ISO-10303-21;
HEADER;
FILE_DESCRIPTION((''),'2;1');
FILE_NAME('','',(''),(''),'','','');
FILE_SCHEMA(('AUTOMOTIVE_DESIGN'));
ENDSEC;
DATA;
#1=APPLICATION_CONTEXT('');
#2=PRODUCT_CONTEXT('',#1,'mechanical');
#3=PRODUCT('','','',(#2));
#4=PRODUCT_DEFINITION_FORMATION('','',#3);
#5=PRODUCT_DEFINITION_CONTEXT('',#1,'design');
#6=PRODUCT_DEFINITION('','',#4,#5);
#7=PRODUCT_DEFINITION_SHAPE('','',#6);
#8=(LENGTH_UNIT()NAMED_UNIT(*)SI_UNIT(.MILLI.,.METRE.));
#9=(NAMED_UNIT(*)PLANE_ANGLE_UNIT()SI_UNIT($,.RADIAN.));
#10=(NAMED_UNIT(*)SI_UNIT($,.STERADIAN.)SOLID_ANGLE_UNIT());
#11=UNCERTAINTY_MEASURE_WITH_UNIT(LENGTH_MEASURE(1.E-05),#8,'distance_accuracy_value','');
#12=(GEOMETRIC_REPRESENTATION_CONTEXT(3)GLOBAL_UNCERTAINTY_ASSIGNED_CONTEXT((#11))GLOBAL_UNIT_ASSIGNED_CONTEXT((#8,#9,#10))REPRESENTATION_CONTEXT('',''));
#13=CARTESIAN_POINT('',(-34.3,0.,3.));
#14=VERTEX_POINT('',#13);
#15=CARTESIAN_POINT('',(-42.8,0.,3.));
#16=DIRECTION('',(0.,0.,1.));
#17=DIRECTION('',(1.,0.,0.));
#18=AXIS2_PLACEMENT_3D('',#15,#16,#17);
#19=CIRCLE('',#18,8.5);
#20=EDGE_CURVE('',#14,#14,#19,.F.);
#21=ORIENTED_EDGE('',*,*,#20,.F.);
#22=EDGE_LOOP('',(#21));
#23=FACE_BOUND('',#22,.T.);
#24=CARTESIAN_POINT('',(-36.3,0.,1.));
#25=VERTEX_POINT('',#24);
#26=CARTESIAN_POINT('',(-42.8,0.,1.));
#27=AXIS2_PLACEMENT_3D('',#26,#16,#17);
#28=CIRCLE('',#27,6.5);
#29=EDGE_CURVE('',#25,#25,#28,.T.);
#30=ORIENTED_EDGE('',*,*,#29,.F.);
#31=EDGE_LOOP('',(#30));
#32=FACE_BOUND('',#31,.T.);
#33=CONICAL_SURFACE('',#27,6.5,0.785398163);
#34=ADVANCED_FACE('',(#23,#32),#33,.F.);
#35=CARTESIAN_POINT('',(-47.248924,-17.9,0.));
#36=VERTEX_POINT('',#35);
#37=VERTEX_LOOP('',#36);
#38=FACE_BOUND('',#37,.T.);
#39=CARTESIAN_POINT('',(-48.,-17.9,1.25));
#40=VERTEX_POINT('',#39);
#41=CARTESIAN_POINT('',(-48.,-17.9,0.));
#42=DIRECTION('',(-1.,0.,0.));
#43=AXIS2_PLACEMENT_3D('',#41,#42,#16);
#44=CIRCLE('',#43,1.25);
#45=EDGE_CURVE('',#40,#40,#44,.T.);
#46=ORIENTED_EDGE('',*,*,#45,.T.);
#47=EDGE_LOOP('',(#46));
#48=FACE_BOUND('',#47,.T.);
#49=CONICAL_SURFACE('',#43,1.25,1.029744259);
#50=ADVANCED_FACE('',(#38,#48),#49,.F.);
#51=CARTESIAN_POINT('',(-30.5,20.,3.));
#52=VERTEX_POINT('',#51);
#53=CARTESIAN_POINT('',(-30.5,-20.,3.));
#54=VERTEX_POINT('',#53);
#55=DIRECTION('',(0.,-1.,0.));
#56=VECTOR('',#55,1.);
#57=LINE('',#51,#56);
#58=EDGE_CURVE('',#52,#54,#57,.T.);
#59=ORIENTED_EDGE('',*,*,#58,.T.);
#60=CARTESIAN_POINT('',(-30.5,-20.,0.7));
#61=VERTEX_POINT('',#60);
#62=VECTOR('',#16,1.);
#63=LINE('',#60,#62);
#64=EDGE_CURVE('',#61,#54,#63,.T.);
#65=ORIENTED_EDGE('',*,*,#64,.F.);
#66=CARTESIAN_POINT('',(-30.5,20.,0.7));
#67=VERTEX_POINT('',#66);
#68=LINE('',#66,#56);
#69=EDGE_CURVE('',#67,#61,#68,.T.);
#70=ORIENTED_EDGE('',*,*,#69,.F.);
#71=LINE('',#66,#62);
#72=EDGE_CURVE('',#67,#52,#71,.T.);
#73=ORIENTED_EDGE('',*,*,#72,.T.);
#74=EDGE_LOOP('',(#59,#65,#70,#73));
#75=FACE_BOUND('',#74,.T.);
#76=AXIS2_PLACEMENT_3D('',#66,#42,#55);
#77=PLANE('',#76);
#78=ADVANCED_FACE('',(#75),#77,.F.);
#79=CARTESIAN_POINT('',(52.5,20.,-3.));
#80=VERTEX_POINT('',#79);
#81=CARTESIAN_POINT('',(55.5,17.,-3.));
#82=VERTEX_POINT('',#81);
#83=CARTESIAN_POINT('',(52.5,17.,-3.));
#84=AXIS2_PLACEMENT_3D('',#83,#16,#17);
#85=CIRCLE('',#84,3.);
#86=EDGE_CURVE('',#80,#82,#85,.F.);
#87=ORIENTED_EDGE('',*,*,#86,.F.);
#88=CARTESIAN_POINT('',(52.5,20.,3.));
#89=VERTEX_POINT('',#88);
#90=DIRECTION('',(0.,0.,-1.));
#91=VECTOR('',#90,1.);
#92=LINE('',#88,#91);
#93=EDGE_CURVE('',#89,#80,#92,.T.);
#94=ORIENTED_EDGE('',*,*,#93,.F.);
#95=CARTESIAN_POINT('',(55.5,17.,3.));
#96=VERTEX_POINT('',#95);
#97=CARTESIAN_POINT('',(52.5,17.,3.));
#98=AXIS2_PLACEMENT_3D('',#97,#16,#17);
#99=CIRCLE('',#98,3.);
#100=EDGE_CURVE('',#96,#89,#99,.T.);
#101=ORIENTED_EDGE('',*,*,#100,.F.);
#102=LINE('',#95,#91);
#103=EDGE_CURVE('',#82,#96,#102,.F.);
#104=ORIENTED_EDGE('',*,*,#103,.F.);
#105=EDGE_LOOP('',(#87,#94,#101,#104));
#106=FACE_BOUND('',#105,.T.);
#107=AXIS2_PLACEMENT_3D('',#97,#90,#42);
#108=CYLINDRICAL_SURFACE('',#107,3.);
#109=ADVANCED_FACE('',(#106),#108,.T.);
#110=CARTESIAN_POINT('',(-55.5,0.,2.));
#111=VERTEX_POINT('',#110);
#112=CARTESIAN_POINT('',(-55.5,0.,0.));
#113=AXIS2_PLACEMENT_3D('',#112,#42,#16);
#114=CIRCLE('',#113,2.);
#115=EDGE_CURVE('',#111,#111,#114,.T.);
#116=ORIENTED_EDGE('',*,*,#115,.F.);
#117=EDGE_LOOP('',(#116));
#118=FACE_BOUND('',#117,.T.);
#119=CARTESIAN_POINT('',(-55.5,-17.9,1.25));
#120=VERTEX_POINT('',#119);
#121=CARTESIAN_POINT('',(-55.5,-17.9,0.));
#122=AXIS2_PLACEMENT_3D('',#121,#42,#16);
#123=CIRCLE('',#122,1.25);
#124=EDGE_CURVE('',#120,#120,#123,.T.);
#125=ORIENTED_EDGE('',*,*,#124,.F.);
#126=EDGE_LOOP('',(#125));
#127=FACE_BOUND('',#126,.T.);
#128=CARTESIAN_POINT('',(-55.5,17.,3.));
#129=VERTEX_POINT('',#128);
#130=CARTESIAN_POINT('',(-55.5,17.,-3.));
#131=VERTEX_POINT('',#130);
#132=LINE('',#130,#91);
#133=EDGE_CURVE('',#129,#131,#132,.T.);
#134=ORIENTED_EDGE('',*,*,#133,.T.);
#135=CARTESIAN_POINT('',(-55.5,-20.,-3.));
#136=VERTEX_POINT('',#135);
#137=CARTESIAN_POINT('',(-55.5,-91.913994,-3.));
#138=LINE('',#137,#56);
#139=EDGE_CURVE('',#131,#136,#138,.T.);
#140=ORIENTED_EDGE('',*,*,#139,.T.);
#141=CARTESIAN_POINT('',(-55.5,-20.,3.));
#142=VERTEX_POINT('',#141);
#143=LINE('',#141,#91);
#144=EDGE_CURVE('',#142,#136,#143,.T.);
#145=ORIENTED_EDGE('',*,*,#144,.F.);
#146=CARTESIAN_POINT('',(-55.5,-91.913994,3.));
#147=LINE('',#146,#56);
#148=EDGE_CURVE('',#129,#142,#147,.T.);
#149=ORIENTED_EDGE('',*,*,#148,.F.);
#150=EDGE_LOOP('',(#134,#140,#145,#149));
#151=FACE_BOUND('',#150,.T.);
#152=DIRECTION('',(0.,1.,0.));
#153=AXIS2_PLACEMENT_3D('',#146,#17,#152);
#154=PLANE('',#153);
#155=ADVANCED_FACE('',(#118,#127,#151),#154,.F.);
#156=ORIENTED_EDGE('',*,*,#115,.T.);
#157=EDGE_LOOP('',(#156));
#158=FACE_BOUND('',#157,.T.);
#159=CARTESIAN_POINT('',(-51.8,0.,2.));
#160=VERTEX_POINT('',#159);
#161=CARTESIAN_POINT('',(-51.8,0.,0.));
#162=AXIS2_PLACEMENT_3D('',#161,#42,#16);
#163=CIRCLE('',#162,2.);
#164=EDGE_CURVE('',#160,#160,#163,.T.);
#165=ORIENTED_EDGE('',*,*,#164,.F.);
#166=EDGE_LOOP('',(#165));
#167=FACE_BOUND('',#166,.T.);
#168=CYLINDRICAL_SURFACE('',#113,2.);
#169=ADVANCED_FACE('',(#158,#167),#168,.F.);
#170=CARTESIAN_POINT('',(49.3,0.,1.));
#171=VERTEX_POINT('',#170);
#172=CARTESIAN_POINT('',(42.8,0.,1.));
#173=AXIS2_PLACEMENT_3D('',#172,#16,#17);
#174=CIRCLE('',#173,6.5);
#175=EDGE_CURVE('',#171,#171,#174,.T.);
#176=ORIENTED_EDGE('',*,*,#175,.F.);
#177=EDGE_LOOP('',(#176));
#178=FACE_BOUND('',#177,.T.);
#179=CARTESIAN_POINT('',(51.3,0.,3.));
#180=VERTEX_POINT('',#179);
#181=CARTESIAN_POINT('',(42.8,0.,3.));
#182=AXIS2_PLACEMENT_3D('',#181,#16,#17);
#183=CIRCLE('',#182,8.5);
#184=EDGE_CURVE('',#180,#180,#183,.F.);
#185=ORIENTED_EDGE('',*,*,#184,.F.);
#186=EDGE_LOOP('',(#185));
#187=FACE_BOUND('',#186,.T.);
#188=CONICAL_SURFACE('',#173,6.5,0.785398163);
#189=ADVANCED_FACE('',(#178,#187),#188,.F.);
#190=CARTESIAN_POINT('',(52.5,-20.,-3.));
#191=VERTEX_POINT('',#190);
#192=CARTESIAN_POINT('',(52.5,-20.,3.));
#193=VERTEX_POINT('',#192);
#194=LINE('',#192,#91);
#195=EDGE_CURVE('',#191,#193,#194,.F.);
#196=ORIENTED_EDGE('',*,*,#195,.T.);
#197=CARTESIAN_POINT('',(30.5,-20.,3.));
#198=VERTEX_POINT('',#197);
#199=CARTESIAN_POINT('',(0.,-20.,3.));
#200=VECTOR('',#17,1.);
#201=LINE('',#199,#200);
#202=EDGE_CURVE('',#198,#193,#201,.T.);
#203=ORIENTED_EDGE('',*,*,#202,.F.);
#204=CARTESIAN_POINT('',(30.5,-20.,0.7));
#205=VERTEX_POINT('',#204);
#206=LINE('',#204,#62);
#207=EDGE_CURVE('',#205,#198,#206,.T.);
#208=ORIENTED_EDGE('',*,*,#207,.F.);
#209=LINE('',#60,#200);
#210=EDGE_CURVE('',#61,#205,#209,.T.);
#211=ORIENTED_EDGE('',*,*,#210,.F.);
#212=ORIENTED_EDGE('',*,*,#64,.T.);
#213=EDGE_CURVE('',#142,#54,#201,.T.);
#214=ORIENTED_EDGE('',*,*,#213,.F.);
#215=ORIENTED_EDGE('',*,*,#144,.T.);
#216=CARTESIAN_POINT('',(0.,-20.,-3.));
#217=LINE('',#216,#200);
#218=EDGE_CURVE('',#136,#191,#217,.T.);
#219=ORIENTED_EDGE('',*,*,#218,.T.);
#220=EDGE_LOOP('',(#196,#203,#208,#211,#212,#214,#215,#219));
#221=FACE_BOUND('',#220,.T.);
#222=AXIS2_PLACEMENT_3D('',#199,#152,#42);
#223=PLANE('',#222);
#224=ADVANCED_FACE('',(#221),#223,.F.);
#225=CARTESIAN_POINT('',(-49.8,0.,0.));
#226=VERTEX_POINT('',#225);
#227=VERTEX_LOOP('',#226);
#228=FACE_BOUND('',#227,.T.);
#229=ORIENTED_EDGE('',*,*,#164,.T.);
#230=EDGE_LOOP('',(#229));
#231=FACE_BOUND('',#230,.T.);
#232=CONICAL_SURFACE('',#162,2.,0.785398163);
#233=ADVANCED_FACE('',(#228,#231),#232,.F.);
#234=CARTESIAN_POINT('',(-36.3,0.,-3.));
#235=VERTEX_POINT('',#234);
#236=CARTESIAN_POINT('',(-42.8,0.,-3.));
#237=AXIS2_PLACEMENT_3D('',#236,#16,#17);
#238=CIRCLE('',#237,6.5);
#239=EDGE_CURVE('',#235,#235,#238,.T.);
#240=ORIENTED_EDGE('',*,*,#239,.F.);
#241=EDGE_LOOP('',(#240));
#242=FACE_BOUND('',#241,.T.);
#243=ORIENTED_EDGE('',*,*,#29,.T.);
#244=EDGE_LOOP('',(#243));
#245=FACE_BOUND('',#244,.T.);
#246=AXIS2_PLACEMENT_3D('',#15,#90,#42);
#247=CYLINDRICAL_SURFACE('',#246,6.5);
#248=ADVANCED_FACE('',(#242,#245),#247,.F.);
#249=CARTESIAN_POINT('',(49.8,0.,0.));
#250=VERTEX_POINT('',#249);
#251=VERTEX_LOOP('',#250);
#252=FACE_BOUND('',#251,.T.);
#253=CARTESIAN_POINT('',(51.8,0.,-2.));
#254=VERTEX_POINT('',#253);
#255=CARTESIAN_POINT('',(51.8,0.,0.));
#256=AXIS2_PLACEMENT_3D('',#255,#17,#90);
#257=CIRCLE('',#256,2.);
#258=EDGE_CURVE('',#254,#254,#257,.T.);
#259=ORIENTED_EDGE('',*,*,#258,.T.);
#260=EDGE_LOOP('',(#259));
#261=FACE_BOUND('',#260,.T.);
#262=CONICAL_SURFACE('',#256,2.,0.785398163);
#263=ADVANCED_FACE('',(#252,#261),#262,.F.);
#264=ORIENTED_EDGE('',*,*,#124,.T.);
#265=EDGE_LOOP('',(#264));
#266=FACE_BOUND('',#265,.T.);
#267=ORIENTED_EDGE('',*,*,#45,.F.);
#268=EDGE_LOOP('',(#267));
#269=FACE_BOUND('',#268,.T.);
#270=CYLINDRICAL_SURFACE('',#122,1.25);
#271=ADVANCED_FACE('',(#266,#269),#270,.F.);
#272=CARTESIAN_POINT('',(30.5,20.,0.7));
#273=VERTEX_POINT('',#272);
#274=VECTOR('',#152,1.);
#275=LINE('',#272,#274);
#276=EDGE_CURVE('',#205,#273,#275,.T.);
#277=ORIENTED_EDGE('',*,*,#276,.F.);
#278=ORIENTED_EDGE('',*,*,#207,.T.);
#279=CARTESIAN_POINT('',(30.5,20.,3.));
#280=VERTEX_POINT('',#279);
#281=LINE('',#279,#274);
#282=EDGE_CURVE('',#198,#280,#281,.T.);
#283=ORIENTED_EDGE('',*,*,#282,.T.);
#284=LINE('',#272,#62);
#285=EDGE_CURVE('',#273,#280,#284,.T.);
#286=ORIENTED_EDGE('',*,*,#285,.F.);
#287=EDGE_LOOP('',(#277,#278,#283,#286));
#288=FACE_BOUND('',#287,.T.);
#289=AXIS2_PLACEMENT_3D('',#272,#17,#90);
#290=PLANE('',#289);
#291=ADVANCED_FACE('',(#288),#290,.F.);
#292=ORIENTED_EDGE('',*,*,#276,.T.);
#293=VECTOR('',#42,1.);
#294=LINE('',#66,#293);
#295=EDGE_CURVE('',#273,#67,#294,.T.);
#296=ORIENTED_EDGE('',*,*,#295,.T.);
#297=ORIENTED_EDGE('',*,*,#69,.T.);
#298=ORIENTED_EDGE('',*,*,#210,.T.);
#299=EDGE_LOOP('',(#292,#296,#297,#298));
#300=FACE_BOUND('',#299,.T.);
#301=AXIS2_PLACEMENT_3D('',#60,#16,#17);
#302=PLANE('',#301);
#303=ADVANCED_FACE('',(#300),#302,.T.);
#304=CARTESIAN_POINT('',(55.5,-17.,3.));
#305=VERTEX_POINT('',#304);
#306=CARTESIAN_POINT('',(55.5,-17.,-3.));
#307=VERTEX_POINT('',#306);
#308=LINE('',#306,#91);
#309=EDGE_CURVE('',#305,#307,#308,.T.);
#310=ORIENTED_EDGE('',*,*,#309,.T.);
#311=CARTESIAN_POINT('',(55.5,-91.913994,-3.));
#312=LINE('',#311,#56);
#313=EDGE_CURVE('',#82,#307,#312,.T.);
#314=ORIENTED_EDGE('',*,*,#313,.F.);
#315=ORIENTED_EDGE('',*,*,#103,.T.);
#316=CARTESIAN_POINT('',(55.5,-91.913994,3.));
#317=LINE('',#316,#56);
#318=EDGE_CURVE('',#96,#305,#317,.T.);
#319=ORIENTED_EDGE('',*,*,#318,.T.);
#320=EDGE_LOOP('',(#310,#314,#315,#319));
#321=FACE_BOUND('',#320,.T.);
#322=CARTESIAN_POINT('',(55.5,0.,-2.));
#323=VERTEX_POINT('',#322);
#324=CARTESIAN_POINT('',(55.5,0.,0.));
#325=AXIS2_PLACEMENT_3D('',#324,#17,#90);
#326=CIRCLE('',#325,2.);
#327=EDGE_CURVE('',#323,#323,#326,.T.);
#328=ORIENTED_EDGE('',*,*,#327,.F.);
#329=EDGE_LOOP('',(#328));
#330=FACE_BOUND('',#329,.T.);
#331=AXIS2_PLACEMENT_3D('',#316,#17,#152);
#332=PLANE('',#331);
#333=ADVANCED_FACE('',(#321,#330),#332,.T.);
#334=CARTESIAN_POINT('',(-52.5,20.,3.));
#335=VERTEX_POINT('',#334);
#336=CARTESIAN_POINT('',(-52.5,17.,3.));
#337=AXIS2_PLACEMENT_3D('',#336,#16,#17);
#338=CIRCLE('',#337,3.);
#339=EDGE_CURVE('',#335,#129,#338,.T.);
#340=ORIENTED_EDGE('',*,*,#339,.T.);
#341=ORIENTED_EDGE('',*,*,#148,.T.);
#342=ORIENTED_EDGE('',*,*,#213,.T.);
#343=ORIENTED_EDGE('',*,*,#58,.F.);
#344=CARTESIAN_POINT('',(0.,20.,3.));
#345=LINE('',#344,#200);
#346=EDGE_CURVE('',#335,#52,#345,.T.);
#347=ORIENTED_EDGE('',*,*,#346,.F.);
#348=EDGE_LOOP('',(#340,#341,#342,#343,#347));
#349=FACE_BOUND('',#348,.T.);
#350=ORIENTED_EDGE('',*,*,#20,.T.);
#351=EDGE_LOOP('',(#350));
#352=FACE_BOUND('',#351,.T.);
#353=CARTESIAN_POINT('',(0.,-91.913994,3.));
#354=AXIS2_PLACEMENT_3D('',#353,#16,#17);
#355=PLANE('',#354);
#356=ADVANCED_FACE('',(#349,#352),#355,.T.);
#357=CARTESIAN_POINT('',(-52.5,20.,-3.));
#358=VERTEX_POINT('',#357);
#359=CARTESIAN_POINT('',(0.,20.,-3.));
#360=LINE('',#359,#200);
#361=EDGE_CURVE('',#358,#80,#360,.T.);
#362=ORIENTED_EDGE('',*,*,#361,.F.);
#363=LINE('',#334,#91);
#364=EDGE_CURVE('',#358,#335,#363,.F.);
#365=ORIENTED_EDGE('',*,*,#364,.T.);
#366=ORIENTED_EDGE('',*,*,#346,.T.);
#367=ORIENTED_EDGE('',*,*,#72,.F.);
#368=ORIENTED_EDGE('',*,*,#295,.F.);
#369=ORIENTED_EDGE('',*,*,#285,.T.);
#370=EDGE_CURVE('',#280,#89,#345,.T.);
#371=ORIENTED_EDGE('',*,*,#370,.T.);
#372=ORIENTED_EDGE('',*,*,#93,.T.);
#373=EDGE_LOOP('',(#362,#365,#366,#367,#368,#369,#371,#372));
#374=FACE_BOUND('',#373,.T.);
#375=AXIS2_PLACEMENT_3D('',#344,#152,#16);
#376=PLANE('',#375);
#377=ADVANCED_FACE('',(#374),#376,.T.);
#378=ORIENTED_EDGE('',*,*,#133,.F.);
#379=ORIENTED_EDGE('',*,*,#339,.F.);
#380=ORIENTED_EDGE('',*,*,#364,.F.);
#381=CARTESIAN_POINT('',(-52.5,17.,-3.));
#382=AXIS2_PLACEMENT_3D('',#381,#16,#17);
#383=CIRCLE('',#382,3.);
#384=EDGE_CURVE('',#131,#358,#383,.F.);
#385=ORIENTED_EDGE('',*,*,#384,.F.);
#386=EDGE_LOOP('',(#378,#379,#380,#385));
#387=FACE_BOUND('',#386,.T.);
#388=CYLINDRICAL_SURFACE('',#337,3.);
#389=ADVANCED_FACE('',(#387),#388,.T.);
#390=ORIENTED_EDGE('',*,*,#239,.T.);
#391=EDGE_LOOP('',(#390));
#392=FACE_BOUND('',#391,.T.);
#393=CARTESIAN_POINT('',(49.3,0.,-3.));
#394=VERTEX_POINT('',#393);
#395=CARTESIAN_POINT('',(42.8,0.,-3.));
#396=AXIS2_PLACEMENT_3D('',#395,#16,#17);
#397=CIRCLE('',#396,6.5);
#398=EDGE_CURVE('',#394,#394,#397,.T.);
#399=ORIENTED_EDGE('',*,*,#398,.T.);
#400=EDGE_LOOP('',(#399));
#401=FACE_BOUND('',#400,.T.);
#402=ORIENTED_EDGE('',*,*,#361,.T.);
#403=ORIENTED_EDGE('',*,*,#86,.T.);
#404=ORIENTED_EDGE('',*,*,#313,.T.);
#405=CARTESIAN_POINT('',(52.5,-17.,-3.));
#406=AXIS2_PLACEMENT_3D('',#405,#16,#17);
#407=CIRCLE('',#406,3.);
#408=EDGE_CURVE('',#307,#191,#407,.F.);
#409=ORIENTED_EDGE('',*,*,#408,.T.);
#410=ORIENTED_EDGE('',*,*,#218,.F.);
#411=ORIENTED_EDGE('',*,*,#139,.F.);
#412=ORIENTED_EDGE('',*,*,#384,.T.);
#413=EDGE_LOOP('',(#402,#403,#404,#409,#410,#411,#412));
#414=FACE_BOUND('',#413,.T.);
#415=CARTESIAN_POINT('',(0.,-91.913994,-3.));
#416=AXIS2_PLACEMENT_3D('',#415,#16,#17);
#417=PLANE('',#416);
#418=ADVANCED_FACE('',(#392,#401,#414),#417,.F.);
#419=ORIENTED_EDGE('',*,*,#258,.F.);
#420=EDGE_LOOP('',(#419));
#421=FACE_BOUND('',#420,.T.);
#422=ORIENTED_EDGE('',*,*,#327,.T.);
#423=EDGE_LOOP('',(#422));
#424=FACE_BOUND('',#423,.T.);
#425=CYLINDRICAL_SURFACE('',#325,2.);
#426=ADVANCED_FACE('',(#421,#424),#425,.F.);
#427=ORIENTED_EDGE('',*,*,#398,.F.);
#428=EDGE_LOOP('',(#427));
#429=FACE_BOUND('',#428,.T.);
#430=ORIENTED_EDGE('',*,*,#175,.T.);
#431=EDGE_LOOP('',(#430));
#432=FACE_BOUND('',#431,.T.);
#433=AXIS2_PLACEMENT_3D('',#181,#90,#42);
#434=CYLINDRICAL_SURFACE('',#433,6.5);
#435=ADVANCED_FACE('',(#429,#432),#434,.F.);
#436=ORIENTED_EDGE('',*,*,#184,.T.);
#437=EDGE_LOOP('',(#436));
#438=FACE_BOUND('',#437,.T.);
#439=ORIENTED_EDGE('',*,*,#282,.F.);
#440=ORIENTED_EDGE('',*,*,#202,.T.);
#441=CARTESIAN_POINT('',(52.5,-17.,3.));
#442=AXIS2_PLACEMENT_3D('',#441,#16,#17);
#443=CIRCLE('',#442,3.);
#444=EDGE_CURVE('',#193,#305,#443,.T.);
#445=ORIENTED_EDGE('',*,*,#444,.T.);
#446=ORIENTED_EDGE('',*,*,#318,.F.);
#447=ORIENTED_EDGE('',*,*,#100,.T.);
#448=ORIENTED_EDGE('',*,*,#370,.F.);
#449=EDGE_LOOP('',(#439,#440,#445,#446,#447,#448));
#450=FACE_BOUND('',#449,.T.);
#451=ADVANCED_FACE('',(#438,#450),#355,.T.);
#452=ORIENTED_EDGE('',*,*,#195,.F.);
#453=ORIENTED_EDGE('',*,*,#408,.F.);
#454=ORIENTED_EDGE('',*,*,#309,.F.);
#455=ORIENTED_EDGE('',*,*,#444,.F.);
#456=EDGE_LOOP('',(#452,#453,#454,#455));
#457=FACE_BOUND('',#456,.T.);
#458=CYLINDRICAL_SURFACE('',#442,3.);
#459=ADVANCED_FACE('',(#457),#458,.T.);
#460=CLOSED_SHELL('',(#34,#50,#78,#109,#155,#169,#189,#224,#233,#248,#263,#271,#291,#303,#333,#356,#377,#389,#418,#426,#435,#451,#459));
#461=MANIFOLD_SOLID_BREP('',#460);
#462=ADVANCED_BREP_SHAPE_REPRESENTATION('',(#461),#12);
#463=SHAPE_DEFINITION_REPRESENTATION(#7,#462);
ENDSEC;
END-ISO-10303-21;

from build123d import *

# Parameters (mm, degrees)
ESQUISSE1_W               = 111
ESQUISSE1_H               = 40
ESQUISSE1_R               = 6.5
EXTRUSION1_DEPTH          = 3
CONG_1_R                  = 3
CHANFREIN1_SIZE           = 2
ESQUISSE2_W               = 61
ESQUISSE2_H               = 40
ENL_V_MAT_EXTRU_1_DEPTH   = 2.3
TROU_TARAUD_M3X0_51_D     = 2.5
TROU_TARAUD_M3X0_51_DEPTH = 7.5
TROU_TARAUD_M3X0_51_TIP   = 0.751075774


with BuildPart() as part:
    # Esquisse1 → Extrusion1 (new body, symmetric)
    with BuildSketch(Plane.XY):
        Rectangle(ESQUISSE1_W, ESQUISSE1_H)
        with Locations((-42.8, 0)):
            Circle(ESQUISSE1_R, mode=Mode.SUBTRACT)
        with Locations((42.8, 0)):
            Circle(ESQUISSE1_R, mode=Mode.SUBTRACT)
    extrude(amount=EXTRUSION1_DEPTH, both=True)

    # Congé1
    cong_1_edges = [part.edges().sort_by_distance(p)[0] for p in [
        (55.5, -20, 0),
        (-55.5, 20, 0),
        (55.5, 20, 0),
    ]]
    fillet(cong_1_edges, radius=CONG_1_R)

    # Chanfrein1
    chanfrein1_edges = [part.edges().sort_by_distance(p)[0] for p in [
        (-49.3, 0, 3),
        (36.3, 0, 3),
    ]]
    chamfer(chanfrein1_edges, length=CHANFREIN1_SIZE)

    # Esquisse2 → Enlèv. mat.-Extru.1 (cut)
    with BuildSketch(Plane.XY.offset(3)):
        Rectangle(ESQUISSE2_W, ESQUISSE2_H)
    extrude(amount=-ENL_V_MAT_EXTRU_1_DEPTH, mode=Mode.SUBTRACT)

    # Esquisse3 → Dégagement M1.61 (revolve, cut)
    with BuildSketch(Plane(origin=(-55.5, 0, 0), x_dir=(0, 0, 1), z_dir=(0, 1, 0))):
        Polygon((0, 0), (0, 5.7), (2, 3.7), (2, 0), align=None)
    d_gagement_m1_61 = revolve(axis=Axis((-61.85, 0, 0), (1, 0, 0)), mode=Mode.SUBTRACT)

    # Symétrie1: Dégagement M1.61 across plane
    add(d_gagement_m1_61.mirror(Plane(origin=(0, 0, 0), x_dir=(0, 0, 1), z_dir=(1, 0, 0))), mode=Mode.SUBTRACT)

    # Trou taraudé M3x0.51
    with Locations(Plane(origin=(-55.5, -17.9, 0), x_dir=(0, -1, 0), z_dir=(-1, 0, 0))):
        with Locations((0, 0)):
            Hole(TROU_TARAUD_M3X0_51_D / 2, depth=TROU_TARAUD_M3X0_51_DEPTH)
            with Locations((0, 0, -(TROU_TARAUD_M3X0_51_DEPTH + TROU_TARAUD_M3X0_51_TIP / 2))):  # 118° drill point
                Cone(0, TROU_TARAUD_M3X0_51_D / 2, TROU_TARAUD_M3X0_51_TIP, mode=Mode.SUBTRACT)


solid = part.part
